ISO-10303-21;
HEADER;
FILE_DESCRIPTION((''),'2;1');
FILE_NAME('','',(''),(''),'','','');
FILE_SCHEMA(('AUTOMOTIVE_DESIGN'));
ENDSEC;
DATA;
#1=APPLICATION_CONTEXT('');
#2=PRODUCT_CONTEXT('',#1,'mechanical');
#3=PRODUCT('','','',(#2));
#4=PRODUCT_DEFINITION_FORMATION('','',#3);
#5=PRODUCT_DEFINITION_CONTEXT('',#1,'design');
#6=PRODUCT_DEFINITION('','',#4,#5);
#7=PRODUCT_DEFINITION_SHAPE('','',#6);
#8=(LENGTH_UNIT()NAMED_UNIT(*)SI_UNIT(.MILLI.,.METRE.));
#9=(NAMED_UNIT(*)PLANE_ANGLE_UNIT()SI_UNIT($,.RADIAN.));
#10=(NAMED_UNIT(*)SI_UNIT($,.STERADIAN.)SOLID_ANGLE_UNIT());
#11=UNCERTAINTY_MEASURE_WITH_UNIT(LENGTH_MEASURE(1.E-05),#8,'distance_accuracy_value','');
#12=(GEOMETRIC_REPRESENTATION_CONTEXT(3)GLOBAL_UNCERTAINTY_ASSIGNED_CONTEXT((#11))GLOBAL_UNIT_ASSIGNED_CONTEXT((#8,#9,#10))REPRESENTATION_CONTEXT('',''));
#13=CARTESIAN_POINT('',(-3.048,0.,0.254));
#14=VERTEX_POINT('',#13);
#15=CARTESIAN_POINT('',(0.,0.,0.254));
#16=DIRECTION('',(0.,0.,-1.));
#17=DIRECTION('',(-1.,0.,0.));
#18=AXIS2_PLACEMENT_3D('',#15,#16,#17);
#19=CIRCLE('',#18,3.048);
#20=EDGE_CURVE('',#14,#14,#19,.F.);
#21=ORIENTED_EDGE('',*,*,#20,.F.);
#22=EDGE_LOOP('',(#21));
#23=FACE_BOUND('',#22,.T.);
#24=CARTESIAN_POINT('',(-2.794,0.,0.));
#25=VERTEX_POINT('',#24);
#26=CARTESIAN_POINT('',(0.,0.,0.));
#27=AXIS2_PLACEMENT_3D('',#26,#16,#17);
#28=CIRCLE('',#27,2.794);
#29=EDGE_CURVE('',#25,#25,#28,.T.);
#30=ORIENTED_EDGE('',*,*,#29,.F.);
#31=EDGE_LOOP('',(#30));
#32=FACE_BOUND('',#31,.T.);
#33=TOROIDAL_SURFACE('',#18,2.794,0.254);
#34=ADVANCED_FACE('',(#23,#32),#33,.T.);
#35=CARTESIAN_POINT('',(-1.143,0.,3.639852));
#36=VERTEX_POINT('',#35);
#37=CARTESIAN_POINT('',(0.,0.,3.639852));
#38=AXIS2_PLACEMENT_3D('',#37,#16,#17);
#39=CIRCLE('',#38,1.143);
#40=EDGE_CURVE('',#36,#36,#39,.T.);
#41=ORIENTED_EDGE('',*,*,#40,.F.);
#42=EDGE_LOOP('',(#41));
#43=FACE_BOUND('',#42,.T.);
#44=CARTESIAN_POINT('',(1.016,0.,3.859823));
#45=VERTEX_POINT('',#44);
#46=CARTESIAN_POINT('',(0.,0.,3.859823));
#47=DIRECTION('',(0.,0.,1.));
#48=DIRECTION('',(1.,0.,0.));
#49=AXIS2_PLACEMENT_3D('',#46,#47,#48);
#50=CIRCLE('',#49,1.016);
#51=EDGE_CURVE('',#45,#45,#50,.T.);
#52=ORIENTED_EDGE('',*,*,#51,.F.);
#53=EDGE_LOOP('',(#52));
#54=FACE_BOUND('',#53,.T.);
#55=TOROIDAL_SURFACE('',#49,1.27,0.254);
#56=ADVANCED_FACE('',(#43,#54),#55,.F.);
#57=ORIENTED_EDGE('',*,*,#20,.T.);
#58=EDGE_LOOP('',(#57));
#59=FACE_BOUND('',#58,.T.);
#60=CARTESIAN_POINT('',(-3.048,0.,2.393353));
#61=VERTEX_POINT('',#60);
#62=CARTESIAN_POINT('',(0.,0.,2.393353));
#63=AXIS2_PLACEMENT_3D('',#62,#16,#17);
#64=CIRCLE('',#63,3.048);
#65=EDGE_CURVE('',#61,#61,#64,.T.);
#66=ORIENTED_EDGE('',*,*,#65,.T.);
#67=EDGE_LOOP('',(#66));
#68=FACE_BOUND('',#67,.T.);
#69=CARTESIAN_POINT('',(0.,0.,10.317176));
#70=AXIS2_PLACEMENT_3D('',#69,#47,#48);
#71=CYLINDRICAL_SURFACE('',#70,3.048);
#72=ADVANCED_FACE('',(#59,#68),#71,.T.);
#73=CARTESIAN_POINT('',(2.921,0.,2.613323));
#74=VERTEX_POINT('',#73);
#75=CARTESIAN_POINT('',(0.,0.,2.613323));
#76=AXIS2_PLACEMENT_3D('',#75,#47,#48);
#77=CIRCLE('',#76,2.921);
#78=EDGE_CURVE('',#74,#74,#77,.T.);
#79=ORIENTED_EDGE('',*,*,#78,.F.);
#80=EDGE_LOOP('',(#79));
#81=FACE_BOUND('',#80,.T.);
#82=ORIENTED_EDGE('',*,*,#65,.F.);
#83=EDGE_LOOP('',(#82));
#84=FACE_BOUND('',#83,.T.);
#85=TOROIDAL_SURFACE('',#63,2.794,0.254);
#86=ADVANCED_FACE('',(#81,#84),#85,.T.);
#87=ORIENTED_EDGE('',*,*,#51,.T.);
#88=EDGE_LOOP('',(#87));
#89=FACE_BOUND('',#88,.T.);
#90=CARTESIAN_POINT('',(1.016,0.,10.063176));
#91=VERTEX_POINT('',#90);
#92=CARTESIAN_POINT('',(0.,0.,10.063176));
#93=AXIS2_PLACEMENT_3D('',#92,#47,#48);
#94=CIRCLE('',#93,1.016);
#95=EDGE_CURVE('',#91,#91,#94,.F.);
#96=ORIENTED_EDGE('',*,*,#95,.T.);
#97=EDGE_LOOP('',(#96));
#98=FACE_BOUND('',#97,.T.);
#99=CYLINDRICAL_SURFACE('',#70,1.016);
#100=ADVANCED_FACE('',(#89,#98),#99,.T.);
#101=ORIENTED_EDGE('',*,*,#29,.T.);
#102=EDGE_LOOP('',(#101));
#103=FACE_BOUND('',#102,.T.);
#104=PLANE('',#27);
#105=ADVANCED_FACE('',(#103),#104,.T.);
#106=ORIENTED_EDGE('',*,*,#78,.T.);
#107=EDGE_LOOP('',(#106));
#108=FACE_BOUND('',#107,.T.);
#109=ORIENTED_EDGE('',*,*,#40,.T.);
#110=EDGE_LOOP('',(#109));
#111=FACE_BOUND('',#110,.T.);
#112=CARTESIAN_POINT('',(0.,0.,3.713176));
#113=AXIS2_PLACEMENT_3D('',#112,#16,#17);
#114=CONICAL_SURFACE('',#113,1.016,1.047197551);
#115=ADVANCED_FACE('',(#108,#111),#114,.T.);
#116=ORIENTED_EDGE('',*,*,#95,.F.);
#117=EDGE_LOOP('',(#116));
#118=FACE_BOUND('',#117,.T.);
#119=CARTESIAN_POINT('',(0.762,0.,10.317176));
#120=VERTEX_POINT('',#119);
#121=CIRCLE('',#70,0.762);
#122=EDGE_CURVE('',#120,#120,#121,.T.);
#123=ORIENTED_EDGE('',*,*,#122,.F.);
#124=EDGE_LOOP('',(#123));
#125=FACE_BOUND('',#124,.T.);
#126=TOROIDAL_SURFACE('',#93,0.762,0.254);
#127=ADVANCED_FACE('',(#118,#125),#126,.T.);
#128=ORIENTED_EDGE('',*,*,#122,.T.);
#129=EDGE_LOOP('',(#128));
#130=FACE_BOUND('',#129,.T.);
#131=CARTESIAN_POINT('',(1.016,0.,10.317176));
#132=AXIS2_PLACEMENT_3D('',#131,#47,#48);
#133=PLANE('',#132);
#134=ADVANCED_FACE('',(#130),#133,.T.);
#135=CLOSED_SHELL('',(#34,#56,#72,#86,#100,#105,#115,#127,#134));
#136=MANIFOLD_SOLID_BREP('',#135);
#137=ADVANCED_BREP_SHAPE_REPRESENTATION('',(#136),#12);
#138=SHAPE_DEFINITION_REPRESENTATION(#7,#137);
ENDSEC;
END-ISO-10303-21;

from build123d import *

# Parameters (mm, degrees)
FILLET1_R = 0.254


with BuildPart() as part:
    # Sketch1 → Revolve1 (revolve)
    with BuildSketch(Plane(origin=(0, 0, 0), x_dir=(1, 0, 0), z_dir=(0, 1, 0))):
        Polygon((0, 0), (3.048, 0), (3.048, -2.54), (1.016, -3.713175747), (1.016, -10.317175747), (0, -10.317175747), align=None)
    revolve(axis=Axis((0, 0, 10.317175747), (0, 0, -1)))

    # Fillet1
    fillet1_edges = [part.edges().sort_by_distance(p)[0] for p in [
        (-1.016, 0, 10.317175747),
        (-1.016, 0, 3.713175747),
        (-3.048, 0, 2.54),
        (-3.048, 0, 0),
    ]]
    fillet(fillet1_edges, radius=FILLET1_R)


solid = part.part
